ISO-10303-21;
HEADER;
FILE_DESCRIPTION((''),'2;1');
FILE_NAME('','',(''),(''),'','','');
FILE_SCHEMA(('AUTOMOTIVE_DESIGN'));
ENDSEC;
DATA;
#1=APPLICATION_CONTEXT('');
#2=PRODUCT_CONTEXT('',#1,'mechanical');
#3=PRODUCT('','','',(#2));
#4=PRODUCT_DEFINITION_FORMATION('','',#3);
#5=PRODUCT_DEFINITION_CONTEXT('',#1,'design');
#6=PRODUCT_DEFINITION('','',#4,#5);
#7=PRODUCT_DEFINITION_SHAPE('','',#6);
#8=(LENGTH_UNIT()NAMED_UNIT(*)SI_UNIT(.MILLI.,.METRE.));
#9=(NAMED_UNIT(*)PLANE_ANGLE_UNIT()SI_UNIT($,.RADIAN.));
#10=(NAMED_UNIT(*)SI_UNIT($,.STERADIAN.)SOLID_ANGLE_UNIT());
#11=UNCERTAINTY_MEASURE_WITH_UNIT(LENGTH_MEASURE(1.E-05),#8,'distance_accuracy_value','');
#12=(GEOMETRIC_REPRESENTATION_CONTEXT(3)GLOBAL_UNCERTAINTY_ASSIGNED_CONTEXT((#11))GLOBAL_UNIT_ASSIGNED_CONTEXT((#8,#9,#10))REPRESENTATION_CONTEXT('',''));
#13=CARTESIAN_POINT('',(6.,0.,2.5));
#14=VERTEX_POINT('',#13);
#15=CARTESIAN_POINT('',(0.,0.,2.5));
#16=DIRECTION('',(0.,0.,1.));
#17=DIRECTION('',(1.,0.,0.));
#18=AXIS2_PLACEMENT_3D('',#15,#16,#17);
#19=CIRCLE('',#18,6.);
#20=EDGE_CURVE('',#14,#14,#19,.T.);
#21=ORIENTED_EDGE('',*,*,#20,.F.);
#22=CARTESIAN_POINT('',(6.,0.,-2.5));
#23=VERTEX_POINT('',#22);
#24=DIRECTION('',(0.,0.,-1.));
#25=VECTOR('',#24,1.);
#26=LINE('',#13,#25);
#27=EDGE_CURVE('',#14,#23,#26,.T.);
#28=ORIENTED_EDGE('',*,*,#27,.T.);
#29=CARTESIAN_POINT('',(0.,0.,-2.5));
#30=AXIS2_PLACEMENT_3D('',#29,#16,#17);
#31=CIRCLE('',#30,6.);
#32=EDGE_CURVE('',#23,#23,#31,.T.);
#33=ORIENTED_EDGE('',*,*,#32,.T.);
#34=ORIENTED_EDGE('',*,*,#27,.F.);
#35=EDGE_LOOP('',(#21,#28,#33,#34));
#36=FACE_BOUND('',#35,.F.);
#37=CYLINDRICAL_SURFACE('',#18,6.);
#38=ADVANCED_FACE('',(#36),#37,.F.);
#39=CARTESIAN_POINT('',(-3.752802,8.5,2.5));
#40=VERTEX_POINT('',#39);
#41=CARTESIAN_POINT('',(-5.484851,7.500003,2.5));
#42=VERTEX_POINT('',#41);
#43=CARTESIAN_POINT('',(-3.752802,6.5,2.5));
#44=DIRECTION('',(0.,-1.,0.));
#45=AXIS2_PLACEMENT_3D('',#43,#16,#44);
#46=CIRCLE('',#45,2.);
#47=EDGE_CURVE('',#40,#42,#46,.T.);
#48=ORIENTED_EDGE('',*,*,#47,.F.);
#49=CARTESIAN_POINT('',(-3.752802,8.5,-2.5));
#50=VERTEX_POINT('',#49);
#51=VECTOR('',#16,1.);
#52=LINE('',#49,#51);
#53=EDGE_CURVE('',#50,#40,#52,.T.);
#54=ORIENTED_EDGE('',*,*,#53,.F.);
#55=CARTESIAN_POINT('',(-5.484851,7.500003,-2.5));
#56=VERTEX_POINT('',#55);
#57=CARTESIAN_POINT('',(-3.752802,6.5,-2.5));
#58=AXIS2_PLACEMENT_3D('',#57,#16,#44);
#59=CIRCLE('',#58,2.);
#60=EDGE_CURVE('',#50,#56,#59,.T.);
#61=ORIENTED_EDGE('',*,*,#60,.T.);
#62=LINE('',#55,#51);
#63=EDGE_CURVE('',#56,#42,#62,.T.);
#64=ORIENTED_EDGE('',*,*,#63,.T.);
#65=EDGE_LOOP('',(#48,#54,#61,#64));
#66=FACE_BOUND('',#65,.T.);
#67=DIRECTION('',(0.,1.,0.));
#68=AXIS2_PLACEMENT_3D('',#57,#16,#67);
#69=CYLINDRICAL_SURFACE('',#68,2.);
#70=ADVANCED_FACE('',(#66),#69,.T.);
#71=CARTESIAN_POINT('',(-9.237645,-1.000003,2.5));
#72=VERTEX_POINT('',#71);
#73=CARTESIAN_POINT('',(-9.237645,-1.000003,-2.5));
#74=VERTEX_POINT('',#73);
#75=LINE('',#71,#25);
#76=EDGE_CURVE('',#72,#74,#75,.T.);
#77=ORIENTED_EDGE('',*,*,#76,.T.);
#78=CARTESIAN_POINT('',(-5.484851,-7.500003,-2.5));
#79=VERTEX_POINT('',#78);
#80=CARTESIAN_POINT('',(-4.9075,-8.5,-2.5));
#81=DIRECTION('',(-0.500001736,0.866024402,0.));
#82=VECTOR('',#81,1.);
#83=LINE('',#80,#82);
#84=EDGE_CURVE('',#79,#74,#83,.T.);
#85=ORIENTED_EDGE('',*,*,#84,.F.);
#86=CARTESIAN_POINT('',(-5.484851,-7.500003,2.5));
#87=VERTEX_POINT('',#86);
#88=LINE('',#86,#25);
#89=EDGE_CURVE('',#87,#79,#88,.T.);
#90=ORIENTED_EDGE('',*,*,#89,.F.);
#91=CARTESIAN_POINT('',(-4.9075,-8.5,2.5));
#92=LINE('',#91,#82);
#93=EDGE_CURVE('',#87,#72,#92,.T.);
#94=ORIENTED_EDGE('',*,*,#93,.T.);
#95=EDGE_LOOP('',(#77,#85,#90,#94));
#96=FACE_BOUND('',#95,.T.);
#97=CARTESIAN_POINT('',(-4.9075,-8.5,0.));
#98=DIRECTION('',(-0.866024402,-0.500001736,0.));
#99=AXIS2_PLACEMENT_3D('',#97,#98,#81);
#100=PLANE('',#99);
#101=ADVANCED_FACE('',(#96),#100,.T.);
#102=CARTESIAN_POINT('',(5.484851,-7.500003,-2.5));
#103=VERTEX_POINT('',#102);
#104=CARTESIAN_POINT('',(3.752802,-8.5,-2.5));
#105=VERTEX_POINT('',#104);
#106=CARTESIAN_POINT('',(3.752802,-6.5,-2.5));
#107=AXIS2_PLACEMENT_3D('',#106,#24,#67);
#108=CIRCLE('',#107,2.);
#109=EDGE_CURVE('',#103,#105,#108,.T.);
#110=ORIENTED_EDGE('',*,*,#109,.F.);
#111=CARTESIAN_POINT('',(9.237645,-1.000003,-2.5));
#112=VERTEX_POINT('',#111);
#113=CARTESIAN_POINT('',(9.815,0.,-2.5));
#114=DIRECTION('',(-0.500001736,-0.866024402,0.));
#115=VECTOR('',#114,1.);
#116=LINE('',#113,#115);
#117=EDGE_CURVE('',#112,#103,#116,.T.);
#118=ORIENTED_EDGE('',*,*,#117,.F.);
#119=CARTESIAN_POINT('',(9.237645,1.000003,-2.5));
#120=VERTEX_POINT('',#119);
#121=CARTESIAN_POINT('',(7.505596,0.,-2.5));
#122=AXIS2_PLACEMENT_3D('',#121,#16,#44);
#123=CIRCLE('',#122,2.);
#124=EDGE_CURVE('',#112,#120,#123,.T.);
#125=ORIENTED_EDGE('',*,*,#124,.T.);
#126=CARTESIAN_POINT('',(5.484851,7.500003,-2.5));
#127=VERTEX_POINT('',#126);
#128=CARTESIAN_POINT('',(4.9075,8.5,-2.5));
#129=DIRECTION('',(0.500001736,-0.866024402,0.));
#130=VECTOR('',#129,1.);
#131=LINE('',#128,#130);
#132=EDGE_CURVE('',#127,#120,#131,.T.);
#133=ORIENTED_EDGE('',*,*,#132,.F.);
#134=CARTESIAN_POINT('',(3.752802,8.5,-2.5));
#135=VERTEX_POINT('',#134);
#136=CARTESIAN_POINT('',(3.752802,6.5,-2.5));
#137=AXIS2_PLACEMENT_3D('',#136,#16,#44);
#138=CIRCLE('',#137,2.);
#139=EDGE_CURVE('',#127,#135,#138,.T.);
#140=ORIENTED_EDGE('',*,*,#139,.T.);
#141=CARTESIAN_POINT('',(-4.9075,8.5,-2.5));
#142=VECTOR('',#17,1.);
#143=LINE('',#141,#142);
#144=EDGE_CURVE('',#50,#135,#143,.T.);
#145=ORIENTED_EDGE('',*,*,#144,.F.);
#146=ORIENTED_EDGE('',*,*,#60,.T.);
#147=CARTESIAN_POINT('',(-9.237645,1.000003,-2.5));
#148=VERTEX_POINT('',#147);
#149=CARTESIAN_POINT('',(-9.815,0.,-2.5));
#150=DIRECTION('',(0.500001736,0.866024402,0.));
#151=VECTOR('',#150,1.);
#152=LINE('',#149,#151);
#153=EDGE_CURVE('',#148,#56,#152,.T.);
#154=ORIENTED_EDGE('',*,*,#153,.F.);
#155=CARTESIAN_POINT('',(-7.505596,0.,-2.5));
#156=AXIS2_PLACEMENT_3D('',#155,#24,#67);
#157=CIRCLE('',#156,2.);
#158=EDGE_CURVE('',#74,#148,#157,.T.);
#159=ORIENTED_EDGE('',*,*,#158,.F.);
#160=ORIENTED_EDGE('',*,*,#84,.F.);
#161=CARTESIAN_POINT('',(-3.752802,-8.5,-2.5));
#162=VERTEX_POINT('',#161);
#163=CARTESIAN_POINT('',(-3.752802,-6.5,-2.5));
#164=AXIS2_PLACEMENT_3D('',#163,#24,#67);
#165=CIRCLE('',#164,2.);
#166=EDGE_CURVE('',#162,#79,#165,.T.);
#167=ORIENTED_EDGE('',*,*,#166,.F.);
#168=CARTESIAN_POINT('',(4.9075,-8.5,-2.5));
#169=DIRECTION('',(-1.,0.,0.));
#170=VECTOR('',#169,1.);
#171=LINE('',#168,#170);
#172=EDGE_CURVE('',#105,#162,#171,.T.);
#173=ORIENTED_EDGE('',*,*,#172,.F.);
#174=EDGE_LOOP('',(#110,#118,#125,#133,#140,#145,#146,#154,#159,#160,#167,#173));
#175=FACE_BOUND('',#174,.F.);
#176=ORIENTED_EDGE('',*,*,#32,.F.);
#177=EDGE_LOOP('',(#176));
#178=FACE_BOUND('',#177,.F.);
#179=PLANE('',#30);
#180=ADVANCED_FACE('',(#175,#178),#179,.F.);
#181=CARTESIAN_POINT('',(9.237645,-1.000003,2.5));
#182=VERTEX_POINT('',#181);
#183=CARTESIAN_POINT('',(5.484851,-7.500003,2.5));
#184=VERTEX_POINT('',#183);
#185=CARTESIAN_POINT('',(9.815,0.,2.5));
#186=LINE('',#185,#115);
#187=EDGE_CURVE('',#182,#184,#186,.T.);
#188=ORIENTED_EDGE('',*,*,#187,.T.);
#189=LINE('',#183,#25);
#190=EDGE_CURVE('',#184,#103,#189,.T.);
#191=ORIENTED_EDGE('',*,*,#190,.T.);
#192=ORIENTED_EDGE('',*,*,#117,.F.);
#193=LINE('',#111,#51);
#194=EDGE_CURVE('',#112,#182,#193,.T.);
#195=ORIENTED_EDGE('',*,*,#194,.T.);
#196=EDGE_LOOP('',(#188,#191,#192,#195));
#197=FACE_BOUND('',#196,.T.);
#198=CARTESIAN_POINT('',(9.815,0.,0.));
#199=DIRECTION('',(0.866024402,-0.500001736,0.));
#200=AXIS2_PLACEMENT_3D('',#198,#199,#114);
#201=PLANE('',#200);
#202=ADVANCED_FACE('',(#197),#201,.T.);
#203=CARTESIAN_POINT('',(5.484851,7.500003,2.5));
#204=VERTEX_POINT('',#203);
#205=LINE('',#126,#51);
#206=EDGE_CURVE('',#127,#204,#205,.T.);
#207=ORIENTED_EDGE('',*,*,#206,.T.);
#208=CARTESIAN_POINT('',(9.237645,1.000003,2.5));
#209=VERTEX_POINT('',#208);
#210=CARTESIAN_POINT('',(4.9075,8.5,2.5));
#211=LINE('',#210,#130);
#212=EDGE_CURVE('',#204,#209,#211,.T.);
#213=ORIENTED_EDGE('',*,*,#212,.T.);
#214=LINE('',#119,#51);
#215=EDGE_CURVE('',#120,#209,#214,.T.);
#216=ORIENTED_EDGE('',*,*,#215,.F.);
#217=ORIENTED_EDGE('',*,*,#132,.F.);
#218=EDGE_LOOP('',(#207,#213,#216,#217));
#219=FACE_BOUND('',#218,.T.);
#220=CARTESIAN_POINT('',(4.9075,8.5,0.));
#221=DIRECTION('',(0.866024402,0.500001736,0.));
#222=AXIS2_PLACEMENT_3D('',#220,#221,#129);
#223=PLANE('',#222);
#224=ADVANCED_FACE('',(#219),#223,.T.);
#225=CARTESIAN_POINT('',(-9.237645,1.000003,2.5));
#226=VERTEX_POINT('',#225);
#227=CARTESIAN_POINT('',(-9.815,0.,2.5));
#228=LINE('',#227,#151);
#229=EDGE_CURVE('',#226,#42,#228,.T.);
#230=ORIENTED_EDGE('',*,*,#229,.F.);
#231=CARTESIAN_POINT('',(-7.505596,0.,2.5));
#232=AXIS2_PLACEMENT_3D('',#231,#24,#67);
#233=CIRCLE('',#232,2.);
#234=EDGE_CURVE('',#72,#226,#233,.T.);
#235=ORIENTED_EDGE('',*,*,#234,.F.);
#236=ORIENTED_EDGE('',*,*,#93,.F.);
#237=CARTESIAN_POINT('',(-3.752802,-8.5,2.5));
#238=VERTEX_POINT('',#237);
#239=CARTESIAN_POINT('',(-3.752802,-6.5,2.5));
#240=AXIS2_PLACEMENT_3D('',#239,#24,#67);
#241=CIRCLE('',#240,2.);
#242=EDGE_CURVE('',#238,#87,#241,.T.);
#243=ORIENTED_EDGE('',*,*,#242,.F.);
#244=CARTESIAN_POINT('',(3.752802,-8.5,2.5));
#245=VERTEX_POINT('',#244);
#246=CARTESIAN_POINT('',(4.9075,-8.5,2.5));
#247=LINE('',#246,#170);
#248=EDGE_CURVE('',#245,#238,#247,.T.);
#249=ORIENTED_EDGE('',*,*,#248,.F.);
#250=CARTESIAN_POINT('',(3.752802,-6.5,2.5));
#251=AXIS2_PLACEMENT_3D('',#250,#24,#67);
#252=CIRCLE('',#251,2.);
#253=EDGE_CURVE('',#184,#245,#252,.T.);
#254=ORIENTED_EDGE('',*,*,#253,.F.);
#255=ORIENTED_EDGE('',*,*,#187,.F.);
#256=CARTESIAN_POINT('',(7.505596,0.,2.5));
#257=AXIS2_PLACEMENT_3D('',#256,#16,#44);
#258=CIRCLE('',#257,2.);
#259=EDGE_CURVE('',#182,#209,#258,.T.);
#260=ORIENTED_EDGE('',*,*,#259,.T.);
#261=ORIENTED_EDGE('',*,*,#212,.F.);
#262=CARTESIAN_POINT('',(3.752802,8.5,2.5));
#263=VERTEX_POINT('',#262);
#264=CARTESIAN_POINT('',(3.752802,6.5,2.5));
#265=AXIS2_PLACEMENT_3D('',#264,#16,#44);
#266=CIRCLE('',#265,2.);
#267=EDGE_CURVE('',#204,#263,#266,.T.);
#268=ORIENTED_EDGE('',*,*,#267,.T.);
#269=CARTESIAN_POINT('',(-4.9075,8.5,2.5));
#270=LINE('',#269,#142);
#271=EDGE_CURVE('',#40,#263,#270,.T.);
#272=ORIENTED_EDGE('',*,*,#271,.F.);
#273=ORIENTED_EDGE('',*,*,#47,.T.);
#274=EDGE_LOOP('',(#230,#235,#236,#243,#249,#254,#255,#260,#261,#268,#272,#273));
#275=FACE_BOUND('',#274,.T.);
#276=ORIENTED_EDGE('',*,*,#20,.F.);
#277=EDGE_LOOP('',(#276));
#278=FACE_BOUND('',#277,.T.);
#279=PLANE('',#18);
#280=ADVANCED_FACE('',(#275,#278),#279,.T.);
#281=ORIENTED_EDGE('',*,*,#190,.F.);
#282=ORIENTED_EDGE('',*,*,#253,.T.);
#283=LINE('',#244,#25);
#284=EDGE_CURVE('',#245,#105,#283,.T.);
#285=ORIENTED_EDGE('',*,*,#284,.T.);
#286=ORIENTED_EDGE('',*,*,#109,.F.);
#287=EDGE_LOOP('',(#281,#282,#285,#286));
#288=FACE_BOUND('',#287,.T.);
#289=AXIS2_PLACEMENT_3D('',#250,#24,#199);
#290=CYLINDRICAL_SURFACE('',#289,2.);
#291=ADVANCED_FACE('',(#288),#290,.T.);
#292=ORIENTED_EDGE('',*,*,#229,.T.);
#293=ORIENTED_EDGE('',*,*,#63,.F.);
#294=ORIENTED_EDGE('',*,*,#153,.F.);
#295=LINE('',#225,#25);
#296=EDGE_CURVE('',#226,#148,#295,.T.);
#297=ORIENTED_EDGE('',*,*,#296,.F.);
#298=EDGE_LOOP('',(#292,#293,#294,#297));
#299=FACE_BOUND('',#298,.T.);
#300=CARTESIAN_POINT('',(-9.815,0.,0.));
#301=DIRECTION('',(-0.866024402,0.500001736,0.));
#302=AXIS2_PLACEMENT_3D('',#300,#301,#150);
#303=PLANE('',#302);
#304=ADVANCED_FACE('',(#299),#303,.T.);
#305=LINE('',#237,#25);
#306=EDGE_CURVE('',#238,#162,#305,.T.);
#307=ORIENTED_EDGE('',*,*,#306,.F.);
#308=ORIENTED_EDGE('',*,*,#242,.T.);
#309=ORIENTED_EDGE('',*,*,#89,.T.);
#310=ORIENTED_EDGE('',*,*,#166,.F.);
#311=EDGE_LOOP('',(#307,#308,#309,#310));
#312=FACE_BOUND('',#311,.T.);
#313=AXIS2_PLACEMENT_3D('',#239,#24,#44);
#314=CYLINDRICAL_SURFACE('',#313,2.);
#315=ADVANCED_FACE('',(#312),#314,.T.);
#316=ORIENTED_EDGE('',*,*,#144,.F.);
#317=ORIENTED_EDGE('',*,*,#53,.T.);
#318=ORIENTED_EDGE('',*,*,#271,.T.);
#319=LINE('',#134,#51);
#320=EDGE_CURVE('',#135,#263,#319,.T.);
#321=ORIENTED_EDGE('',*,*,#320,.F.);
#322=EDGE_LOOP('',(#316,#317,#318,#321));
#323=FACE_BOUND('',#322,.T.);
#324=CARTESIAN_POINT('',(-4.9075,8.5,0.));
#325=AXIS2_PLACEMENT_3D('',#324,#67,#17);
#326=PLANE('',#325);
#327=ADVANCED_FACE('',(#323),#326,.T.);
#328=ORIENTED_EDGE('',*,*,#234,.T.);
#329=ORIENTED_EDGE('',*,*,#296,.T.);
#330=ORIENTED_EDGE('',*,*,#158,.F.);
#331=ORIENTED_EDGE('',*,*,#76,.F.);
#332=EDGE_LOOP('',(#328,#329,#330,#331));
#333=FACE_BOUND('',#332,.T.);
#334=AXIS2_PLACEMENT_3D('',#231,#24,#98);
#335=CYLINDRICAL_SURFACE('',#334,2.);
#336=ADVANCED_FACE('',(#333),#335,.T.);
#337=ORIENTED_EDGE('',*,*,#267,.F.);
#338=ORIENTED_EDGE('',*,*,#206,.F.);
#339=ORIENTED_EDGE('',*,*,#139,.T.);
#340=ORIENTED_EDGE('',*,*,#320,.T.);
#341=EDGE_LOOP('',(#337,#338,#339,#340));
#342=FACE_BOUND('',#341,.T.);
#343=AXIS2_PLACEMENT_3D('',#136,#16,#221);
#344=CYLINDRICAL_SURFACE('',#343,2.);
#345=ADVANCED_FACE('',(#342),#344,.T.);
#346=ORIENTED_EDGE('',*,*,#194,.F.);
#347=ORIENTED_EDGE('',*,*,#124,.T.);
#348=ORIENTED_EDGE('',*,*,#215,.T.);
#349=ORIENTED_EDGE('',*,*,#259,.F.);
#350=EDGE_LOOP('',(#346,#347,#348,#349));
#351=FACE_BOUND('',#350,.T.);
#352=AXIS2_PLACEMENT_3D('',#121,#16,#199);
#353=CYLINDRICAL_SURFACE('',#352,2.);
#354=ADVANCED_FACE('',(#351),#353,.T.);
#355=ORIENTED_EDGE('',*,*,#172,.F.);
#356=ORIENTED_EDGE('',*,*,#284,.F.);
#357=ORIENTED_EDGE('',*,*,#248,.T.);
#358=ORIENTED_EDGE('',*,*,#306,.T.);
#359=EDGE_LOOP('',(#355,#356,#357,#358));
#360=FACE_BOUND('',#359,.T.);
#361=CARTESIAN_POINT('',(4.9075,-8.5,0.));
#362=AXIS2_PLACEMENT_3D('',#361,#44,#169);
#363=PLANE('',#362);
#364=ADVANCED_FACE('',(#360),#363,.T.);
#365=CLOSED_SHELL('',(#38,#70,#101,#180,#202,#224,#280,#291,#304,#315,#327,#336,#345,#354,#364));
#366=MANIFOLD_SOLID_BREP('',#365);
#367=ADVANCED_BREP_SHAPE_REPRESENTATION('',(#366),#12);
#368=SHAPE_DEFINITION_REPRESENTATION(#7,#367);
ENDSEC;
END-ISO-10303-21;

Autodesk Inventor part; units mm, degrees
ref_plane "YZ Plane" through (0, 0, 0) normal (1, 0, 0) x (0, 1, 0)
ref_plane "XZ Plane" through (0, 0, 0) normal (0, 1, 0) x (-1, 0, 0)
ref_plane "XY Plane" through (0, 0, 0) normal (0, 0, 1) x (1, 0, 0)
sketch "Sketch1" plane through (0, 0, 0) normal (0, 0, 1) x (1, 0, 0)
  line L0 (9.815, 0) -> (4.9075, -8.5)
  line L1 (4.9075, -8.5) -> (-4.9075, -8.5)
  line L2 (-4.9075, -8.5) -> (-9.815, 0)
  line L3 (-9.815, 0) -> (-4.9075, 8.5)
  line L4 (-4.9075, 8.5) -> (4.9075, 8.5)
  line L5 (4.9075, 8.5) -> (9.815, 0)
  point P0 (0, 0)
  point P1 (0, 0)
  dimension "d0" = 17
extrude "Extrusion1" add sketch "Sketch1" along normal mid plane 5
sketch "Sketch2" plane through (0, 0, 2.5) normal (0, 0, 1) x (1, 0, 0)
  circle A0 centre (0, 0) radius 6
  dimension "d3" = 12
extrude "Extrusion2" cut sketch "Sketch2" against normal through all
fillet "Fillet1" radius 2 6 edges at (4.9075, -8.5, 0) (-4.9075, -8.5, 0) (-9.815, 0, 0) (-4.9075, 8.5, 0) (4.9075, 8.5, 0) (9.815, 0, 0)
properties part number "M12_NUT_1.262.1200.50"
